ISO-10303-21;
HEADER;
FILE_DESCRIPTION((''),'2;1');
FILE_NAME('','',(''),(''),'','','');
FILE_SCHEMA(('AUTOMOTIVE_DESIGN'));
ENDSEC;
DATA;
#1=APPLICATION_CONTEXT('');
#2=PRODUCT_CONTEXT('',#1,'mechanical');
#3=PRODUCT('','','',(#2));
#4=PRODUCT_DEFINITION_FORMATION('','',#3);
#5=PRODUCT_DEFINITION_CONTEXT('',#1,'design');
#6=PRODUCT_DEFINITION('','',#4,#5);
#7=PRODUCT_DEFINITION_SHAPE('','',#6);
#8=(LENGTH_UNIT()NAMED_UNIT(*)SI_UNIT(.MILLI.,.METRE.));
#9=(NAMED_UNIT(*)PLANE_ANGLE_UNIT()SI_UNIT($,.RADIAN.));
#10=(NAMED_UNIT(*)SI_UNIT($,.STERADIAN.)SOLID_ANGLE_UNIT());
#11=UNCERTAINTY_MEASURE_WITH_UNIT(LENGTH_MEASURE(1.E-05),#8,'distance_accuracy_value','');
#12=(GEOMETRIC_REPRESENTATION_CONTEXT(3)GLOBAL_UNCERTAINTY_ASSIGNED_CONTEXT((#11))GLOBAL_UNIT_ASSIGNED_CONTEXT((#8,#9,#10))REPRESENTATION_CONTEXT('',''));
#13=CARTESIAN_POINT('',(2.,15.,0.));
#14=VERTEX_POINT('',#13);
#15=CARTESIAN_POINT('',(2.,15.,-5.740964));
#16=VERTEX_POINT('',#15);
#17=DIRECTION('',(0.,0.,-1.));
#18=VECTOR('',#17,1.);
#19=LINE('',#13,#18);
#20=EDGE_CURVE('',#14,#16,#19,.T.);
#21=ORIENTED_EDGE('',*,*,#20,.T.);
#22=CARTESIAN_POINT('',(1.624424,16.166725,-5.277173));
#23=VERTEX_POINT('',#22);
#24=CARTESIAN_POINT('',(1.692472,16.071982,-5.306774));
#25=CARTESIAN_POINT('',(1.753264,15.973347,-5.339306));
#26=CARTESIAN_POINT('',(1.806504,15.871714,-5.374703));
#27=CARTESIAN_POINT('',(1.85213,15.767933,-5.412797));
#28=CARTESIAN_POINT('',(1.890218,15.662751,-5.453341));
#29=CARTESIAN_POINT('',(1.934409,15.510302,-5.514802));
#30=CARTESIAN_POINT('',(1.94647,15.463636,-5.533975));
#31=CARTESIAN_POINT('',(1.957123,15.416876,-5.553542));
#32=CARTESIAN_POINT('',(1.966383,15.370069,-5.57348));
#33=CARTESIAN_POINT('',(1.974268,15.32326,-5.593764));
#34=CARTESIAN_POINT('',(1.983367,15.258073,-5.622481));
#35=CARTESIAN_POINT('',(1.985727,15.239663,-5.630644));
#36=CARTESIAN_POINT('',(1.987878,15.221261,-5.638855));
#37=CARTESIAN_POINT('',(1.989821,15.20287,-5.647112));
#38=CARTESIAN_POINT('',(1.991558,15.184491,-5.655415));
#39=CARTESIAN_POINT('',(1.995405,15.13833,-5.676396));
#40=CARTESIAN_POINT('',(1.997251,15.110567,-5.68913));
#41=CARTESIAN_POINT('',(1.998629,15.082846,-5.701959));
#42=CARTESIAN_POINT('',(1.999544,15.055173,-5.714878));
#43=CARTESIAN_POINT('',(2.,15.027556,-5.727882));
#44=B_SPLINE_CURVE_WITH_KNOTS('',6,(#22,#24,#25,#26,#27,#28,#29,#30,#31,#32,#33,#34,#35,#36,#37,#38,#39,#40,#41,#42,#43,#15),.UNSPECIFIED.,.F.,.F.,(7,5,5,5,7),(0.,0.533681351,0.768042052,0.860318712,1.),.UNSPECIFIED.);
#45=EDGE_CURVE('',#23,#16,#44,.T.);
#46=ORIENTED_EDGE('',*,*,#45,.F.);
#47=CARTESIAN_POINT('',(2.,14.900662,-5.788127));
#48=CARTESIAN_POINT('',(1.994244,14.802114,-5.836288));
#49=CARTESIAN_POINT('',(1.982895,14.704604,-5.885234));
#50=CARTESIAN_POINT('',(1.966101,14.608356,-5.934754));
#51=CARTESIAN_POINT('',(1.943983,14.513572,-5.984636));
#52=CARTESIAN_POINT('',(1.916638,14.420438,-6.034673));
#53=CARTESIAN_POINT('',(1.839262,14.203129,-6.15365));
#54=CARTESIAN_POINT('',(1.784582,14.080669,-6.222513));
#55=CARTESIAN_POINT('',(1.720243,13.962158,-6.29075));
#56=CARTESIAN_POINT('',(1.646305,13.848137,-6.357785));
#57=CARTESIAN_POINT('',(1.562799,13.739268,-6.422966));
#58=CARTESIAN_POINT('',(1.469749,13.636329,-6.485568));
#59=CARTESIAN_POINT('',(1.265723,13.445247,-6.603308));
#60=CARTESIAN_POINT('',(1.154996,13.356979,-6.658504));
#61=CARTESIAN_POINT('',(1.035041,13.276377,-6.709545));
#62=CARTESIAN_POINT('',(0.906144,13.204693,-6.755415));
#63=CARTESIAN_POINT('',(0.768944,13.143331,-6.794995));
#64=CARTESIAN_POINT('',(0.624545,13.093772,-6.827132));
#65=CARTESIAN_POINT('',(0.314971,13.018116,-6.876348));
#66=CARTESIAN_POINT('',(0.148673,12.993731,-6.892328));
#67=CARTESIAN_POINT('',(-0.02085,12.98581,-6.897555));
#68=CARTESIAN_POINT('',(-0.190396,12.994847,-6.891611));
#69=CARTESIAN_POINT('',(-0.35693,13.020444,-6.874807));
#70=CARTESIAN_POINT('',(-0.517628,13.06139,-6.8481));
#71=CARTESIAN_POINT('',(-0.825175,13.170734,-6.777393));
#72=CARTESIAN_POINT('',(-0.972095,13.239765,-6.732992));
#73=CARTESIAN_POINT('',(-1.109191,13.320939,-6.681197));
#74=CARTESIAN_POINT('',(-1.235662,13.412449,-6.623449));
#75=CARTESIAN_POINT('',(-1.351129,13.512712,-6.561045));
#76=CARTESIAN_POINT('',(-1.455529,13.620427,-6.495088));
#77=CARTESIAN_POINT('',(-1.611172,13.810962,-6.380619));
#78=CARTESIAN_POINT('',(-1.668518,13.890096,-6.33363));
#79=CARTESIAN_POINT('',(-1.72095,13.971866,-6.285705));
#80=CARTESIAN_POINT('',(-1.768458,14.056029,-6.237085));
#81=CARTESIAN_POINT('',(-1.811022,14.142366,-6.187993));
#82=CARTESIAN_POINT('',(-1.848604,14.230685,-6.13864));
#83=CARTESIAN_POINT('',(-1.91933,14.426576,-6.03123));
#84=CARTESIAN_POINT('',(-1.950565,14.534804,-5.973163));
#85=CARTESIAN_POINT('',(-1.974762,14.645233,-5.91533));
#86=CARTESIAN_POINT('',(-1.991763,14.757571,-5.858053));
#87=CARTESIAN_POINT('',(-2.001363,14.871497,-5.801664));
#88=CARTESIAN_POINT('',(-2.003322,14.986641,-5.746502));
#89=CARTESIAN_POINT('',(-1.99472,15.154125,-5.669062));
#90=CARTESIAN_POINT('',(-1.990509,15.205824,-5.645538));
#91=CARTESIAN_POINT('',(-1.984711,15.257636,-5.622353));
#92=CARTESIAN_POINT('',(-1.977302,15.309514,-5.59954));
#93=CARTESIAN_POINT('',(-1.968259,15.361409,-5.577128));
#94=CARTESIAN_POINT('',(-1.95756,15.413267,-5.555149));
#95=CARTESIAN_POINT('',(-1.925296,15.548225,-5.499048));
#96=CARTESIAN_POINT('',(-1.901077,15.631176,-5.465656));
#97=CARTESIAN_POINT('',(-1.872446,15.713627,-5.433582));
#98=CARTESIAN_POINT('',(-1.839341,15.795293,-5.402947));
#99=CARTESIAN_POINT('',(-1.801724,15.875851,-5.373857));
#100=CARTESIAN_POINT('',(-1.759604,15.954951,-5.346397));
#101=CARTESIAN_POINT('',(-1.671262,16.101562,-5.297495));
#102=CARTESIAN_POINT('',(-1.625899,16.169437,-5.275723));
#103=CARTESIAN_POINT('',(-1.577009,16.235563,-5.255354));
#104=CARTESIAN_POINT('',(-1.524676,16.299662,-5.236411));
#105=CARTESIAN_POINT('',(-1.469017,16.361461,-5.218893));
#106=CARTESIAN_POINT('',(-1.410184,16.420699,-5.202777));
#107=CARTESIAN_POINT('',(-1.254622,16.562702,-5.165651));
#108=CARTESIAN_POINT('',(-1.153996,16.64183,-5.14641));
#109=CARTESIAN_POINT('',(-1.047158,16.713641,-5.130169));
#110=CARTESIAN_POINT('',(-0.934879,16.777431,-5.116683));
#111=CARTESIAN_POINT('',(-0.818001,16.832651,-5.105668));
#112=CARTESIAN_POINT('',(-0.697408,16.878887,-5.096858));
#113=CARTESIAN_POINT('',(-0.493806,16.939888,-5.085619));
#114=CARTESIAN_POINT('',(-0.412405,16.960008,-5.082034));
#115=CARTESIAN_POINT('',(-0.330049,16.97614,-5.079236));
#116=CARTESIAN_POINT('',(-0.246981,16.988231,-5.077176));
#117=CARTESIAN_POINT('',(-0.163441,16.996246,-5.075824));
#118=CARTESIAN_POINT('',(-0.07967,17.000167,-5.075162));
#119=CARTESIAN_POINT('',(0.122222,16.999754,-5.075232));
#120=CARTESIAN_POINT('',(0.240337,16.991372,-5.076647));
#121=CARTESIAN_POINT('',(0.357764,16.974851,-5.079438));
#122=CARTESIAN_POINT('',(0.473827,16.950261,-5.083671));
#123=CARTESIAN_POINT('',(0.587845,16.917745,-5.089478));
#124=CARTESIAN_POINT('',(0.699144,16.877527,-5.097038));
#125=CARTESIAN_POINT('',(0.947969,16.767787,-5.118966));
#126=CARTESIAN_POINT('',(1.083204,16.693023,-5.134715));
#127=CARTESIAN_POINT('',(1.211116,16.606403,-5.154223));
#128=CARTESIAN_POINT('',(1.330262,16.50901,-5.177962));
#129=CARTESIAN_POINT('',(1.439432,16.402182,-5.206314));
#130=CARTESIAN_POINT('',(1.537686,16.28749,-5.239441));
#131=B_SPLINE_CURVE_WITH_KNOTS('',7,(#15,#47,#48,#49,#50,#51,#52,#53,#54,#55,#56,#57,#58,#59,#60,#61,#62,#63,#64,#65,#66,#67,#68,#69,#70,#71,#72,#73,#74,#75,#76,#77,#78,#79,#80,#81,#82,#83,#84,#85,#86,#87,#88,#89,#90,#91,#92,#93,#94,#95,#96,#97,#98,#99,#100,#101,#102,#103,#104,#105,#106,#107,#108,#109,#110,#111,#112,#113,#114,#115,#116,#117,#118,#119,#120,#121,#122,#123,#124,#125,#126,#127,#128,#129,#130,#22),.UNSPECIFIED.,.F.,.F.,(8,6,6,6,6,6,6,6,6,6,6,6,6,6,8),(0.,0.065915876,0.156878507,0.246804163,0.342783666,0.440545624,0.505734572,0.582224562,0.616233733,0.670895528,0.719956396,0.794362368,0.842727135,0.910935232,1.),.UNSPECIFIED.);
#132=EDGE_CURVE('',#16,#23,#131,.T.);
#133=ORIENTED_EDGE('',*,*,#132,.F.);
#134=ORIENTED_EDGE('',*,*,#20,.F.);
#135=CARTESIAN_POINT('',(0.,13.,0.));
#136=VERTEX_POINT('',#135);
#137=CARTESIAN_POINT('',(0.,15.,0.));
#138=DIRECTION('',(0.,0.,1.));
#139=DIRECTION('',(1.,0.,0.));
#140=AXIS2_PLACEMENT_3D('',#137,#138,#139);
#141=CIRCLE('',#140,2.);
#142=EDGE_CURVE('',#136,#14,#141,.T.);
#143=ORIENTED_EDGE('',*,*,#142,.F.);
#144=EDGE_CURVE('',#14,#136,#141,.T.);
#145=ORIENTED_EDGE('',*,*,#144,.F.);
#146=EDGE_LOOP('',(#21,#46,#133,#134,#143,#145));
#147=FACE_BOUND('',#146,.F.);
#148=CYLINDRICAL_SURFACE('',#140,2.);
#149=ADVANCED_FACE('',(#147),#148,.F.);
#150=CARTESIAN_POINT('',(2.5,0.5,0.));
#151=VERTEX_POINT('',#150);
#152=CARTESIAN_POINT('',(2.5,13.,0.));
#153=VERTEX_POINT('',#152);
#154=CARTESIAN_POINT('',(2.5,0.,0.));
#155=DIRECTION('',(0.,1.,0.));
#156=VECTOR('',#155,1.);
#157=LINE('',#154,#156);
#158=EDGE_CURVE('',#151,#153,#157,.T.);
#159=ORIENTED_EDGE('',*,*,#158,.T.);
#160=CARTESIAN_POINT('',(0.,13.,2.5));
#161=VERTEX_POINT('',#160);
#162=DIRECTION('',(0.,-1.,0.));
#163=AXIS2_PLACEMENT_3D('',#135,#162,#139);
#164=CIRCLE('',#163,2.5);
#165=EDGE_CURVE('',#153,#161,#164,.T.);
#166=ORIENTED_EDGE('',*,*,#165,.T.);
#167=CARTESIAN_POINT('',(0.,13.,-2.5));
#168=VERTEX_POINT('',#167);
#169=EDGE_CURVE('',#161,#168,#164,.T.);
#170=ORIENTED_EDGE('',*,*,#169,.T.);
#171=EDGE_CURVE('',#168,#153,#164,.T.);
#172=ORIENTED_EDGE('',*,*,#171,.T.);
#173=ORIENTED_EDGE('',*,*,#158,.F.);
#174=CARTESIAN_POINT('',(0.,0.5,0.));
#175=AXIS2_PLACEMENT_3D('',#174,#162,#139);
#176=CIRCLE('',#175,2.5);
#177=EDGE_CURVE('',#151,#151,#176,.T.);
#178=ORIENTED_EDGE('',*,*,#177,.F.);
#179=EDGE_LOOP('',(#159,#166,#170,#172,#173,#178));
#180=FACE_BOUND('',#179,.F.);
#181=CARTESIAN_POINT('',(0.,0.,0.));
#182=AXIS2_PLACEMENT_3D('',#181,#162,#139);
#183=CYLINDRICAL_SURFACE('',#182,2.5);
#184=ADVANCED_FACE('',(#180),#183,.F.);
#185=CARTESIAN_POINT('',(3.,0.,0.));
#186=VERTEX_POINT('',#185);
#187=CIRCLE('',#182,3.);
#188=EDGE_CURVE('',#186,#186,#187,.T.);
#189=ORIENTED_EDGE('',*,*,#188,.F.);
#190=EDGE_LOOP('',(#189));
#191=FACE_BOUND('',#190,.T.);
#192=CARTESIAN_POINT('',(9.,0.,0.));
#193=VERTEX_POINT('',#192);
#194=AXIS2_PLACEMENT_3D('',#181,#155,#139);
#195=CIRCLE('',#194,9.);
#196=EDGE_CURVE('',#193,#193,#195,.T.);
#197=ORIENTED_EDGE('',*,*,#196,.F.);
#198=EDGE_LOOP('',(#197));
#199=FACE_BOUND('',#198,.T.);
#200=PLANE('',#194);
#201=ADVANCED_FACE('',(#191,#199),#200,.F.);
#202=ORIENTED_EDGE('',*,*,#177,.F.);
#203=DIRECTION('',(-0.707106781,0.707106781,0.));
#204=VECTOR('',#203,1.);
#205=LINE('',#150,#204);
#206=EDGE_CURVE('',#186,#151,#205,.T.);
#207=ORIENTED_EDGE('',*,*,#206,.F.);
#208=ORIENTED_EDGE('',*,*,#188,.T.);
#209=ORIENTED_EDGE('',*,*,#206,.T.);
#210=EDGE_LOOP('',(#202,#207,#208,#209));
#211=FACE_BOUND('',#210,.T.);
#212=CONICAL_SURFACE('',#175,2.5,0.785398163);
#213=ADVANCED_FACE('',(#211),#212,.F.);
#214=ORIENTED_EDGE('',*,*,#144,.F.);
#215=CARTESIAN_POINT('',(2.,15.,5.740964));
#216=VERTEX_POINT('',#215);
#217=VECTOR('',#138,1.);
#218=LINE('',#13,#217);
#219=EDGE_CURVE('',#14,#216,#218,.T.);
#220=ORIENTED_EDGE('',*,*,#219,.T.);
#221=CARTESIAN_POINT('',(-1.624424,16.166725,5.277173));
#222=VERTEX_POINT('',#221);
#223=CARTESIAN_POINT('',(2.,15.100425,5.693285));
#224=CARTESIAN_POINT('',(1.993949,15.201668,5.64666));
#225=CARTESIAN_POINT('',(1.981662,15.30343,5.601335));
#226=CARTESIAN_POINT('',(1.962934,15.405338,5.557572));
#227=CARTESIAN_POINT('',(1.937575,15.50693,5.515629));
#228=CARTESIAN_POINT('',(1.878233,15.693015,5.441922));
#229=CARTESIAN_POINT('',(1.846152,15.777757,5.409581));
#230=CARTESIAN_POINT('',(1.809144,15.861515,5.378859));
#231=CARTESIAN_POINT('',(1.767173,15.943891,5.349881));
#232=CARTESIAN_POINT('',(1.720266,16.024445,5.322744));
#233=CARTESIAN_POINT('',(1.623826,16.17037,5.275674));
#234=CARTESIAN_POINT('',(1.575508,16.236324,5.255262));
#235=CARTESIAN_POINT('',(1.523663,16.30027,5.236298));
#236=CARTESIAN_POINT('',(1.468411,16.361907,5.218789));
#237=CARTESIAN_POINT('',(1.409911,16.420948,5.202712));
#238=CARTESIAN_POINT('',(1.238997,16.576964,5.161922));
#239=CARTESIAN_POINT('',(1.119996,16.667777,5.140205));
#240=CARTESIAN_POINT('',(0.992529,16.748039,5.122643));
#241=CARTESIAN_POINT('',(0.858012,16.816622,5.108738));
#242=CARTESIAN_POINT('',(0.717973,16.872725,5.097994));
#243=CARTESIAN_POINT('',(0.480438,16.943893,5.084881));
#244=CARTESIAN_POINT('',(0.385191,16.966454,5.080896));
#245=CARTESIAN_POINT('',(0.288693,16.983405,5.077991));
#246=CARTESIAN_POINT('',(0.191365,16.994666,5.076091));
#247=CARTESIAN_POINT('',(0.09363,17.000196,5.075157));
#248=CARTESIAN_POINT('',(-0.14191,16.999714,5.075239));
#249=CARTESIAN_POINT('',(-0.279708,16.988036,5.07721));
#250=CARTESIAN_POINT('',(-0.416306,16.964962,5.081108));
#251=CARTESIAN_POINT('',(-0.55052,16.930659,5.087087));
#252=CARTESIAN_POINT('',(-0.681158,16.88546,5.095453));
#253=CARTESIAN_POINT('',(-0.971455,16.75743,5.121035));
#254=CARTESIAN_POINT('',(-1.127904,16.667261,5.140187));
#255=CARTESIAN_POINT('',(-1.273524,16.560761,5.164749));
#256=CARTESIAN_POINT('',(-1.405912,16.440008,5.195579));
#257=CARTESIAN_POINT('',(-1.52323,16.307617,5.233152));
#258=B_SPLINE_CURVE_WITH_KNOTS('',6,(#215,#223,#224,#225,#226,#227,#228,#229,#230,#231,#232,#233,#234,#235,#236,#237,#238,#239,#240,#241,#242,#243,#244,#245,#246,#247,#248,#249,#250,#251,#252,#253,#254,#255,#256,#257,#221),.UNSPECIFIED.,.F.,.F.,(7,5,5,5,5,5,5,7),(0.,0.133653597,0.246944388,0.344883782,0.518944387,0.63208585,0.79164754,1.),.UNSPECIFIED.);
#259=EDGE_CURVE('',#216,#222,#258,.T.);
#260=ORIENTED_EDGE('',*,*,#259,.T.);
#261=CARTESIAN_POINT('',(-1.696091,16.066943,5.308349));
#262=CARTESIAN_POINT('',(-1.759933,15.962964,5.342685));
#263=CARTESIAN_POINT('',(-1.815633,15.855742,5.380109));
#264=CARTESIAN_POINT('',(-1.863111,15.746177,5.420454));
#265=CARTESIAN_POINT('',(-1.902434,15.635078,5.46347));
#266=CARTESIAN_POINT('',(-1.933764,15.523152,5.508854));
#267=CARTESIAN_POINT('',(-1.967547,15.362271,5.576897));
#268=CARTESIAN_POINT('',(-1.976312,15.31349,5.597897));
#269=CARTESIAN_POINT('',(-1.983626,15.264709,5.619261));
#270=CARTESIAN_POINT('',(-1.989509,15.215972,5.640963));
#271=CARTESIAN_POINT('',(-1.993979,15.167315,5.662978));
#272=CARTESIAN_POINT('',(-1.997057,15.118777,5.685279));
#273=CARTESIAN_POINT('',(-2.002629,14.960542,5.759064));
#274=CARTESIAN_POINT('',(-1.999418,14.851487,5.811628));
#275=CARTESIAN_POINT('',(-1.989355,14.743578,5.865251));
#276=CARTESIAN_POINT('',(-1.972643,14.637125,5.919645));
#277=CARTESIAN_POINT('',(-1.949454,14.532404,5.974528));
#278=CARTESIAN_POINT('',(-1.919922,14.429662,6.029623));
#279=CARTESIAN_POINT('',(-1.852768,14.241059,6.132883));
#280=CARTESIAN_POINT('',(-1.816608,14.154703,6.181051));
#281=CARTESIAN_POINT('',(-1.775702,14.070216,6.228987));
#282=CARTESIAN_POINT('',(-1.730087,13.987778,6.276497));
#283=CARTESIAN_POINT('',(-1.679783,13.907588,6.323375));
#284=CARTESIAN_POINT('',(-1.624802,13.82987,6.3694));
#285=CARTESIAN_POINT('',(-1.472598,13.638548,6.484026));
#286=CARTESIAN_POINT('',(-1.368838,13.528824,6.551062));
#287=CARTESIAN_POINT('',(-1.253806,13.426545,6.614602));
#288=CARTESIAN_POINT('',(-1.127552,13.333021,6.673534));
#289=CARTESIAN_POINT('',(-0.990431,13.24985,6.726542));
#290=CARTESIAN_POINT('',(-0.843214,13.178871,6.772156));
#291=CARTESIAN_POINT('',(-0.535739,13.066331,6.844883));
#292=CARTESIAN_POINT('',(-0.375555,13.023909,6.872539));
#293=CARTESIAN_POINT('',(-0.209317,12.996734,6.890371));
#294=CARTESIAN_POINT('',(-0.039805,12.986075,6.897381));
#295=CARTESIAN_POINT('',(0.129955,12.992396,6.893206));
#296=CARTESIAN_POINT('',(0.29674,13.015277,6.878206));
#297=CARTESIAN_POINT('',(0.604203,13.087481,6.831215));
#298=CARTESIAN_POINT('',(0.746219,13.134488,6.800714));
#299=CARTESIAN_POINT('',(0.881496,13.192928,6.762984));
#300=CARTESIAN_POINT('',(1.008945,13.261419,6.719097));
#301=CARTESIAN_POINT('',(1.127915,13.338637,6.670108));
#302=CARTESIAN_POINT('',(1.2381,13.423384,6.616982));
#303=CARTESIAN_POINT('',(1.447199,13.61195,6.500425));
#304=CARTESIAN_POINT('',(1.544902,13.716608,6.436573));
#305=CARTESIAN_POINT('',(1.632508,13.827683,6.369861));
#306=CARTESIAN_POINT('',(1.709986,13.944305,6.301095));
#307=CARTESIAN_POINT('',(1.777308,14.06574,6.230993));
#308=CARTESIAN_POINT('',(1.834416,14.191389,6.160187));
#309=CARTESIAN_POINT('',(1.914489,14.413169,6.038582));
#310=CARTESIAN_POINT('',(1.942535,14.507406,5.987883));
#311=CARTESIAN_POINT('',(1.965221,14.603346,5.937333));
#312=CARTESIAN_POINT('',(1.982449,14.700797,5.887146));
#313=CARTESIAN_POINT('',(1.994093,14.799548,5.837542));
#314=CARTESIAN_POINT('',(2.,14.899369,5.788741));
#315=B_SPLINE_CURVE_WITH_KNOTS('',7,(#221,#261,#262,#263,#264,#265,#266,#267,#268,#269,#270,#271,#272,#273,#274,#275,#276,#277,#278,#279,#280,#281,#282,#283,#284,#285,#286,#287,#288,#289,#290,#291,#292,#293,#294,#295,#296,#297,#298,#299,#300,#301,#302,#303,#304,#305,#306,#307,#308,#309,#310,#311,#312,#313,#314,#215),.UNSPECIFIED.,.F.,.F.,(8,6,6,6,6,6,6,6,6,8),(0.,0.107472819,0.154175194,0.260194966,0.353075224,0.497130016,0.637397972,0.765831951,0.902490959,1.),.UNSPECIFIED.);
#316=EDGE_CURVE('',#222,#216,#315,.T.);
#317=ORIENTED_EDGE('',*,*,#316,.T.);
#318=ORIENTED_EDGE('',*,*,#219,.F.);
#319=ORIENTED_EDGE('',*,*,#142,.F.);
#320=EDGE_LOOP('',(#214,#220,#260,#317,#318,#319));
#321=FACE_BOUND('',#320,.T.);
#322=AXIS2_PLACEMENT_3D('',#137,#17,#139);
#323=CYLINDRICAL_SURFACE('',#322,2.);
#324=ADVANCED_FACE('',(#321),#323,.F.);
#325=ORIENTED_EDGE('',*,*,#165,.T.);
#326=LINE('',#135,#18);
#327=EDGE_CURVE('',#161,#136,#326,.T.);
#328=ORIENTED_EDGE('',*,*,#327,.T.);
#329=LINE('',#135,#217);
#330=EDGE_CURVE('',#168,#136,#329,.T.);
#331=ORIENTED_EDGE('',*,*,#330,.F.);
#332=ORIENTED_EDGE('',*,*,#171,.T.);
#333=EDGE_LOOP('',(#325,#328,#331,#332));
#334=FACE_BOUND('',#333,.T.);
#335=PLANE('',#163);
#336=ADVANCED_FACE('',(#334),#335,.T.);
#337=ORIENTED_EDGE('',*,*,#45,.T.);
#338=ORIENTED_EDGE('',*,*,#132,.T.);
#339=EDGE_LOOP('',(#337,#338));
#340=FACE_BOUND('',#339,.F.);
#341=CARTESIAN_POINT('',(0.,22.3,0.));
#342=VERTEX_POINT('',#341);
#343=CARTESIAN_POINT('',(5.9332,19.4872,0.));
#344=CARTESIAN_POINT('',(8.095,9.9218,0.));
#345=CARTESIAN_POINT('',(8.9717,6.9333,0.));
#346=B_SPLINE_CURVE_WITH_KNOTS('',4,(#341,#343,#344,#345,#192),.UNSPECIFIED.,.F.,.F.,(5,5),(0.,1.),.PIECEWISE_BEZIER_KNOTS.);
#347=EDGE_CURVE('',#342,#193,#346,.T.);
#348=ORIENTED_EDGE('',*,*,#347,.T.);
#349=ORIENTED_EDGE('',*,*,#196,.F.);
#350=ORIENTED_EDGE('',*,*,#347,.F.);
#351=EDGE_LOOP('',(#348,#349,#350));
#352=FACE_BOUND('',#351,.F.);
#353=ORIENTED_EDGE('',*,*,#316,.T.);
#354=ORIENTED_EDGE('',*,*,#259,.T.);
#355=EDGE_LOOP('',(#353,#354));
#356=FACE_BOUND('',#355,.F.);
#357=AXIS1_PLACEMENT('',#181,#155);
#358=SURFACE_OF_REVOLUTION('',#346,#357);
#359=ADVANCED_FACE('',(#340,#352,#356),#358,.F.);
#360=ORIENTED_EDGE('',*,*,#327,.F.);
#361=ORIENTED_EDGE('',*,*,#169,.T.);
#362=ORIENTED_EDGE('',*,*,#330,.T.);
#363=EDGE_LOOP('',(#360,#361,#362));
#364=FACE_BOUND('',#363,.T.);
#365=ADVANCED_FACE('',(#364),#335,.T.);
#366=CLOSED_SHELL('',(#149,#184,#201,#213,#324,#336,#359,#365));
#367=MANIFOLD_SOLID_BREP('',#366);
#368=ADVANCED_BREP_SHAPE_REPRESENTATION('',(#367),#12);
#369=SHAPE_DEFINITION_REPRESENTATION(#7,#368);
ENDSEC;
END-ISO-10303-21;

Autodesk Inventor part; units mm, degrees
ref_plane "YZ Plane" through (0, 0, 0) normal (1, 0, 0) x (0, 1, 0)
ref_plane "XZ Plane" through (0, 0, 0) normal (0, 1, 0) x (-1, 0, 0)
ref_plane "XY Plane" through (0, 0, 0) normal (0, 0, 1) x (1, 0, 0)
sketch "Sketch1" plane through (0, 0, 0) normal (0, 0, 1) x (1, 0, 0)
  line L0 (0, 0) -> (0, 22.3)
  line L1 (0, 0) -> (9, 0)
  spline S0 degree 4 poles (0, 22.3) (5.9332, 19.4872) (8.095, 9.9218) (8.9717, 6.9333) (9, 0) knots 0 0 0 0 0 1 1 1 1 1
  point P0 (7.5, 11.15)
  point P1 (4.8515, 17.3878)
  point P2 (8.6406, 5.8553)
revolve "Revolution1" add sketch "Sketch1" angle 360 about axis through (0, 0, 0) along (0, 1, 0)
sketch "Sketch2" plane through (0, 0, 0) normal (0, 0, 1) x (1, 0, 0)
  circle A0 centre (0, 15) radius 2
extrude "Extrusion1" cut sketch "Sketch2" along normal mid plane 15
sketch "Sketch3" plane through (0, 0, 0) normal (0, -1, 0) x (1, 0, 0)
  circle A0 centre (0, 0) radius 2.5
  dimension "d8" = 5
extrude "Extrusion3" cut sketch "Sketch3" against normal blind 13
chamfer "Chamfer1" distance 0.5 angle 45 1 edges at (-2.5, 0, 0)
thread "Thread6" size "M5x0.8" class "6H" standard "ISO Metric profile" length 10
properties part number "nose-over"
